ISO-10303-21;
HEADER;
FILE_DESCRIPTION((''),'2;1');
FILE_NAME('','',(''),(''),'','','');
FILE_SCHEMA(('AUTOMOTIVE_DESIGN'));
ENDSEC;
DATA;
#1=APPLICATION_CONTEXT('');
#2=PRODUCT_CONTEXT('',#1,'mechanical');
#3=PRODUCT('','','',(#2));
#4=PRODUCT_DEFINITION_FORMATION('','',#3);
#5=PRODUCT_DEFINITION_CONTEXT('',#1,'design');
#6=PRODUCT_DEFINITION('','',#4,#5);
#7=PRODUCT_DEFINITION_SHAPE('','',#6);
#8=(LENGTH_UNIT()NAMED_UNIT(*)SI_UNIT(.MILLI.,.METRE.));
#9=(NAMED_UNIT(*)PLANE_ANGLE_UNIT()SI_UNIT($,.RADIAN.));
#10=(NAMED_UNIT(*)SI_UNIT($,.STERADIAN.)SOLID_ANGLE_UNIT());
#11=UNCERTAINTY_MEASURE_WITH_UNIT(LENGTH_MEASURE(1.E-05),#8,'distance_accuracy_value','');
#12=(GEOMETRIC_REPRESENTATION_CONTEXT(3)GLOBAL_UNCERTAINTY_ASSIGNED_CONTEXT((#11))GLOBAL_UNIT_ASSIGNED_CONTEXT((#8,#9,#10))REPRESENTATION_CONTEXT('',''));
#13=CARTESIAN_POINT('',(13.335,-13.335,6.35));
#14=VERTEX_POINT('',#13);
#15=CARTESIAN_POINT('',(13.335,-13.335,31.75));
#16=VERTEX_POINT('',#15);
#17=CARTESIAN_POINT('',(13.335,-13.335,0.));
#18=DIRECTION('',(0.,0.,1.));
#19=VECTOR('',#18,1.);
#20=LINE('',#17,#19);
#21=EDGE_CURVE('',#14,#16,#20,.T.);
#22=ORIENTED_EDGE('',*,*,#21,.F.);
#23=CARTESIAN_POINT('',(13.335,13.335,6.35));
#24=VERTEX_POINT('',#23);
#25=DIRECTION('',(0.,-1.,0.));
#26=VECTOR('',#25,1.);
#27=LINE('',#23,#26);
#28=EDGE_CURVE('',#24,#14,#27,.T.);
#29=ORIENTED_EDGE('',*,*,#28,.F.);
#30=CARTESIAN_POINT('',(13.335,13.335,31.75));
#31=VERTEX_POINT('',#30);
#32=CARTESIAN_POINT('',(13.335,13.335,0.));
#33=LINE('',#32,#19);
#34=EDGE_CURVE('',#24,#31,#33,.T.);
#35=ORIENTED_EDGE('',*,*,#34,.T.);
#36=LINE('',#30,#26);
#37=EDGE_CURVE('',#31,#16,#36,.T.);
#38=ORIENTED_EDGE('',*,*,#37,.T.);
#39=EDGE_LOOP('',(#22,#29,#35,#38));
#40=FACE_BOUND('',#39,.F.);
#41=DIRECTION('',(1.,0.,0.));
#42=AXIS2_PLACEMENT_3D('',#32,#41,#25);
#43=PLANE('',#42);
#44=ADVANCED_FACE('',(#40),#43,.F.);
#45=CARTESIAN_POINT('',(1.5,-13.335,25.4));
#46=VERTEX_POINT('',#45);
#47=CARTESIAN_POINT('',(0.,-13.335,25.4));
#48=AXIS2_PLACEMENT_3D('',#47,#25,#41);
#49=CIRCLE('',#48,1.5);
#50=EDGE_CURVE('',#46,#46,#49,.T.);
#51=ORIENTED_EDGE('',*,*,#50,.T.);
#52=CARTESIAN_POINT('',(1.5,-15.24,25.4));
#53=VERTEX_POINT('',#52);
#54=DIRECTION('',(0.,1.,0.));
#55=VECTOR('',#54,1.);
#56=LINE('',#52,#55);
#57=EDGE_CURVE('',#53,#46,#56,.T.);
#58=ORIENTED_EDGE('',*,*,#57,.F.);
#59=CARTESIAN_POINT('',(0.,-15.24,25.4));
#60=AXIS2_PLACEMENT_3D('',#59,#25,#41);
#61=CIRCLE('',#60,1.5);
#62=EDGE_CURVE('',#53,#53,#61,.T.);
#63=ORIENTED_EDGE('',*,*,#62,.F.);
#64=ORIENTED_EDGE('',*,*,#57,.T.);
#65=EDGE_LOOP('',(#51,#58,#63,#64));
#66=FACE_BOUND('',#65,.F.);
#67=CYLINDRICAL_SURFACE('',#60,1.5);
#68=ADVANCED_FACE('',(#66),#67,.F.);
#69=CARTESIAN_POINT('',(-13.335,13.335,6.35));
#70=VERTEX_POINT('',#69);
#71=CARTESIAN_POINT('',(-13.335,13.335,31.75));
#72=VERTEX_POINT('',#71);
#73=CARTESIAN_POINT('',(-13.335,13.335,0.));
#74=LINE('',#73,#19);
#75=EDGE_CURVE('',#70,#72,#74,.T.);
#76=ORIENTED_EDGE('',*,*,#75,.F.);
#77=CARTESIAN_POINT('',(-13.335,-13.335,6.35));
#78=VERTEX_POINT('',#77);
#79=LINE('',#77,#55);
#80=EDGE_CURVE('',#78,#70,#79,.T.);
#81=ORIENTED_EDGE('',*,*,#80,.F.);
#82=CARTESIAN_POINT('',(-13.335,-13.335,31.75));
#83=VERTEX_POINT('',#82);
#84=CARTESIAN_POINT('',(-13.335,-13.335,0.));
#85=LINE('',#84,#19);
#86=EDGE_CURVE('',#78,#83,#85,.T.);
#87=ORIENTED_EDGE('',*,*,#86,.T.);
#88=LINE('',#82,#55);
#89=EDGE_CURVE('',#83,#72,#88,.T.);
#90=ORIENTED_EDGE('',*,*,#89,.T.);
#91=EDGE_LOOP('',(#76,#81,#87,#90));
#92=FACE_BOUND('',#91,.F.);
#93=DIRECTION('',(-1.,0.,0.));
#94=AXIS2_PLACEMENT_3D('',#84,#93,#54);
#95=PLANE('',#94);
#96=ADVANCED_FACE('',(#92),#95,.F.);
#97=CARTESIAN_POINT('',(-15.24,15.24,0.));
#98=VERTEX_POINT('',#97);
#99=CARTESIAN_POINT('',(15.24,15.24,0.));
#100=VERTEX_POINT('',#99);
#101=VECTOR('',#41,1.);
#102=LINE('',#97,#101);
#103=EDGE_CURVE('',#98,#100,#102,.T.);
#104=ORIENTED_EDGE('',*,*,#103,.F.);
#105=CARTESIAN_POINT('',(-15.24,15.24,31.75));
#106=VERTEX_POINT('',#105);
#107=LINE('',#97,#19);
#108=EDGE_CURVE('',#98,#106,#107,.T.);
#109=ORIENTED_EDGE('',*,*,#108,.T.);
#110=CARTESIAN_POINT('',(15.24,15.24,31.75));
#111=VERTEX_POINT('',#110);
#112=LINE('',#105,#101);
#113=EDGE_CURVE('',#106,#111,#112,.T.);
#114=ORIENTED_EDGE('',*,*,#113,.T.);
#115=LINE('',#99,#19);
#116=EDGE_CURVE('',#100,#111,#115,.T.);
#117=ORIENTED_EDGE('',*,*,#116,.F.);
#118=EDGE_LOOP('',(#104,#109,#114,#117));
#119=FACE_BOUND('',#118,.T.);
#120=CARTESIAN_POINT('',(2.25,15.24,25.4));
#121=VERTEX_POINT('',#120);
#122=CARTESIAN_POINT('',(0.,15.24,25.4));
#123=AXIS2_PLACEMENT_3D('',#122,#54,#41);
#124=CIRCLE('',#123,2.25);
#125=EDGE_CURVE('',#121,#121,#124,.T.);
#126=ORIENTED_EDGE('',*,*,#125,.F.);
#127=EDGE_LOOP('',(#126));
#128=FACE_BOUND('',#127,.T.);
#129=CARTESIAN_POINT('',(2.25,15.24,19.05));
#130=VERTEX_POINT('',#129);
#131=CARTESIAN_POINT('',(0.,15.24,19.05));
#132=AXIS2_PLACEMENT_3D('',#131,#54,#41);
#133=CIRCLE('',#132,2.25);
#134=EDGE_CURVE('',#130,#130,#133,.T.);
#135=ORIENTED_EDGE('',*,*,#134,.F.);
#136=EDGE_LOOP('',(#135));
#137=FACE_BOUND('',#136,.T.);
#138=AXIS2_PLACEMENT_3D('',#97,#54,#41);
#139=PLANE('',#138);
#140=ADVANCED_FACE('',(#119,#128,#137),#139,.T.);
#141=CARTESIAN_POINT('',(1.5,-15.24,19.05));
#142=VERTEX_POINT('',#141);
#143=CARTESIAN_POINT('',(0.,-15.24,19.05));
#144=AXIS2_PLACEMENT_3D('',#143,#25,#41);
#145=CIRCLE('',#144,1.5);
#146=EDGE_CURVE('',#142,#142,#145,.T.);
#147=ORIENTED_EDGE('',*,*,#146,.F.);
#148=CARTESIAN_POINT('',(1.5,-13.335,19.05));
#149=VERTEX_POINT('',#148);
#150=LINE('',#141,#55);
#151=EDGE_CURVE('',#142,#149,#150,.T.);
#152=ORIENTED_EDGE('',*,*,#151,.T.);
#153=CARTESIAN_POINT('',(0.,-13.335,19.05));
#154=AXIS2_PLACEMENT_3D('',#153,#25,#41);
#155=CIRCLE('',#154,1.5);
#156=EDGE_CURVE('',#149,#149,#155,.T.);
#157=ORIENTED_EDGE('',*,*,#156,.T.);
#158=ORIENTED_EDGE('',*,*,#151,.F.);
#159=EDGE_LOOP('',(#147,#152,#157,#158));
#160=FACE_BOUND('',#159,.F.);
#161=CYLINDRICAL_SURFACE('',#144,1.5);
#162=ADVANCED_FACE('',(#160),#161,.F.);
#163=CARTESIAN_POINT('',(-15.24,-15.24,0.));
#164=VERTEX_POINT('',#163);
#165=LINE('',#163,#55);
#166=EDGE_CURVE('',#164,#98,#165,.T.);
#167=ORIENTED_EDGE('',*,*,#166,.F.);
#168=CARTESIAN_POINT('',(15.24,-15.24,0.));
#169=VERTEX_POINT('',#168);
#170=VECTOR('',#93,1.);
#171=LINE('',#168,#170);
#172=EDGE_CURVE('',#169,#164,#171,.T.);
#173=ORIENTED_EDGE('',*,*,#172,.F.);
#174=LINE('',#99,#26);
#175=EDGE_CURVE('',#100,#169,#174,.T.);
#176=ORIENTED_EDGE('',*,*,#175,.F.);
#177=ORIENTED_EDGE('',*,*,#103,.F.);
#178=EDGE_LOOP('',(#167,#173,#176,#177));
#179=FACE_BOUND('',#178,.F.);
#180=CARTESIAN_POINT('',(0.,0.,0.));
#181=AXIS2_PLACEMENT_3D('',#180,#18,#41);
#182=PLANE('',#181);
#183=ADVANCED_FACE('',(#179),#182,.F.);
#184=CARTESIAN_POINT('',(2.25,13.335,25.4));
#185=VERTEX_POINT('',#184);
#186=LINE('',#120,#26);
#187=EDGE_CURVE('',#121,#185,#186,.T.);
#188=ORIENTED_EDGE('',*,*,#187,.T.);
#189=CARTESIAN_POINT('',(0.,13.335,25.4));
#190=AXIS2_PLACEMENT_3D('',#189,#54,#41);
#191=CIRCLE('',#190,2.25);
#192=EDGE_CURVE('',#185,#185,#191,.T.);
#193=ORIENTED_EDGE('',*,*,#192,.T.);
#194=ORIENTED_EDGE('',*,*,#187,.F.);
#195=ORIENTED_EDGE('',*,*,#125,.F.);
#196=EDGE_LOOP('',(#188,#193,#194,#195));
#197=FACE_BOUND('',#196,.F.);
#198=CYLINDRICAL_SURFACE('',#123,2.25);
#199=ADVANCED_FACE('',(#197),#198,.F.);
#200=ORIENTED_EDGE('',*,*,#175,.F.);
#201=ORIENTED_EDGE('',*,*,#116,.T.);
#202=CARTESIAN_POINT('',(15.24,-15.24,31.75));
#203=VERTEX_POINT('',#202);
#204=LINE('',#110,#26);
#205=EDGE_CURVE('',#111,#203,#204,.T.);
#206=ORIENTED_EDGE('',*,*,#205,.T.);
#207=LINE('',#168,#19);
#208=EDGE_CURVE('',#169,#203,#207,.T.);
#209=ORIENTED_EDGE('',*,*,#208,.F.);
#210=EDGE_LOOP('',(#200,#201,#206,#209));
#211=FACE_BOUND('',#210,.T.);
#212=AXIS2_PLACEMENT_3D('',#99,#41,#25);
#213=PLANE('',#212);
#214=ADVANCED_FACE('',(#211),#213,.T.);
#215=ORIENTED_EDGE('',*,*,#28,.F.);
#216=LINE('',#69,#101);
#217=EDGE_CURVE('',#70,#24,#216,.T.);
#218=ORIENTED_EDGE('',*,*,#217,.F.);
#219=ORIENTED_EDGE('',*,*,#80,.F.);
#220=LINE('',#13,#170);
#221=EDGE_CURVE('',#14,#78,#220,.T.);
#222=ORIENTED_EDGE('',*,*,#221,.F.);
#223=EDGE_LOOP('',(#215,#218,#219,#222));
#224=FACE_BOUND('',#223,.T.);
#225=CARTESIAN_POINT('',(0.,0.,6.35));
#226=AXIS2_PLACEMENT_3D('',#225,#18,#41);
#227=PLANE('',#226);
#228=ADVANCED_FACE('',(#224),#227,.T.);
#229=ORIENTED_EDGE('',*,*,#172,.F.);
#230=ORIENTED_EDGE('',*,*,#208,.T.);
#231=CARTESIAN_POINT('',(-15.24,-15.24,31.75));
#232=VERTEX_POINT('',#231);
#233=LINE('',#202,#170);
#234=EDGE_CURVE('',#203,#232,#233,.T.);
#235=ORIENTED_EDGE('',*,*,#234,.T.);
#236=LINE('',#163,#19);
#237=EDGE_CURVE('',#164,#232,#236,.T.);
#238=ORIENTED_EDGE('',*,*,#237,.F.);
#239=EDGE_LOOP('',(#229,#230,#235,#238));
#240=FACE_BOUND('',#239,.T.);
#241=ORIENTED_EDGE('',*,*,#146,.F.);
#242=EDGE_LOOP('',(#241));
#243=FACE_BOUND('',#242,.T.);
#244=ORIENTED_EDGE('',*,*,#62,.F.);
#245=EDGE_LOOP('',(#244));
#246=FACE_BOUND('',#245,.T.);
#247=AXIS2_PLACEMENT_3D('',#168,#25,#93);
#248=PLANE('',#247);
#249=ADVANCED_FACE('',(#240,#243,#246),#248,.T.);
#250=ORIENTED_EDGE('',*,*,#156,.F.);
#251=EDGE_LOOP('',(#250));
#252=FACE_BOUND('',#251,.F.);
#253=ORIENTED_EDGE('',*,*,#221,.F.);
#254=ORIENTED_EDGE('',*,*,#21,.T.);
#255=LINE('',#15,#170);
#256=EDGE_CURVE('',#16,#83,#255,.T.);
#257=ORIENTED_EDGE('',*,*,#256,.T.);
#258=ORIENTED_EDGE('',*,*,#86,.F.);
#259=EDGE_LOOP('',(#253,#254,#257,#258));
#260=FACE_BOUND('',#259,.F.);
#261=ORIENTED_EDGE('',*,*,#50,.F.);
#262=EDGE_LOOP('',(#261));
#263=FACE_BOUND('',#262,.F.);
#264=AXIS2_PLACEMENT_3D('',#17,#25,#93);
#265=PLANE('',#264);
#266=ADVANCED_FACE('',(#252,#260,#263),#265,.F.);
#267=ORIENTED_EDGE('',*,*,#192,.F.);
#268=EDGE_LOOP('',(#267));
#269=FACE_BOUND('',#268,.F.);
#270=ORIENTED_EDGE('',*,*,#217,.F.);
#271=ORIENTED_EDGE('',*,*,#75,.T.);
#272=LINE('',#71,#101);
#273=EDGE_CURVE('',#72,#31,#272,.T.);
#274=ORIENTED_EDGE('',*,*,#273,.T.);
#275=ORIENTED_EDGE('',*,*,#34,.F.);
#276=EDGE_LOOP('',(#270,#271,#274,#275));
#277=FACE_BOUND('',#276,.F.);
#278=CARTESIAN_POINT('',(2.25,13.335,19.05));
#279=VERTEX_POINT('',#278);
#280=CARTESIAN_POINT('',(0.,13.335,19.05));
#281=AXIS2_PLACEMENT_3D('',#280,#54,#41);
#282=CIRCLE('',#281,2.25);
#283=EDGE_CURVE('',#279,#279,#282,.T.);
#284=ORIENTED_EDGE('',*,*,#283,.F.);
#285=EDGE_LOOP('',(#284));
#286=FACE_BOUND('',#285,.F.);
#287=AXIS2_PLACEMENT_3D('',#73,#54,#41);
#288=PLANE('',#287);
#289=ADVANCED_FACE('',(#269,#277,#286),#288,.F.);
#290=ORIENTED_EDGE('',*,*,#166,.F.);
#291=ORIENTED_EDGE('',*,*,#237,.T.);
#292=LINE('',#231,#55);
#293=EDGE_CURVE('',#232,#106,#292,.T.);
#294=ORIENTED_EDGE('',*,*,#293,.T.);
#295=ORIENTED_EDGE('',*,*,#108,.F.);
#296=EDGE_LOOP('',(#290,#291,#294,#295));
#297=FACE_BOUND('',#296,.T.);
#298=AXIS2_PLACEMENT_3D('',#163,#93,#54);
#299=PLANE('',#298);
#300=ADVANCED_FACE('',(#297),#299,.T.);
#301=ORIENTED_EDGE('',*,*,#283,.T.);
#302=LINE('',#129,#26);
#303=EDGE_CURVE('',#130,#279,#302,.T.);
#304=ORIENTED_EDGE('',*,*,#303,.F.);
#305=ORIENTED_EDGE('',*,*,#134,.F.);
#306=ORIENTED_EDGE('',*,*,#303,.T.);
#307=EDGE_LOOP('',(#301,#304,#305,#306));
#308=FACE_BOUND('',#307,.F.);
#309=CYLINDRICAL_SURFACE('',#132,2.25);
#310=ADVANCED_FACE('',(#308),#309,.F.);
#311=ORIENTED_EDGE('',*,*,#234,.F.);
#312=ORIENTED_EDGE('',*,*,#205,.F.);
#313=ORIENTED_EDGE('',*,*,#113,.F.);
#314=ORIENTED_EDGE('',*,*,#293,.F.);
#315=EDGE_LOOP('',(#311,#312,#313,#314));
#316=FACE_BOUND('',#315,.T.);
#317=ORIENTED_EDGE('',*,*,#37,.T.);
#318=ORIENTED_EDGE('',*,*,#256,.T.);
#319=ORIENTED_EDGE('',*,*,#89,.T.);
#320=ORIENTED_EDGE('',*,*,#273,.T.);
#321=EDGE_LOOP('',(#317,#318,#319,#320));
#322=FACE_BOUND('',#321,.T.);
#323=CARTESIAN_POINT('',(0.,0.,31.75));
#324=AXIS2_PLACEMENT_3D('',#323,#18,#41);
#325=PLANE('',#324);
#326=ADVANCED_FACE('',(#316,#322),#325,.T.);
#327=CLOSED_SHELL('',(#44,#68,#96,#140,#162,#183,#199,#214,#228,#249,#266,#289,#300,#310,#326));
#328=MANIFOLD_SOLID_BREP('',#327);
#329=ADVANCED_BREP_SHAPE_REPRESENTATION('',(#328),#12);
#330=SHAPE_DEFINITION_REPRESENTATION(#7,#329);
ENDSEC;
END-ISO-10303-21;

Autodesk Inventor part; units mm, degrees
ref_plane "YZ Plane" through (0, 0, 0) normal (1, 0, 0) x (0, 1, 0)
ref_plane "XZ Plane" through (0, 0, 0) normal (0, 1, 0) x (-1, 0, 0)
ref_plane "XY Plane" through (0, 0, 0) normal (0, 0, 1) x (1, 0, 0)
sketch "Sketch1" plane through (0, 0, 0) normal (0, 0, 1) x (1, 0, 0)
  line L0 (13.335, -13.335) -> (-13.335, -13.335)
  line L1 (-13.335, -13.335) -> (-13.335, 13.335)
  line L2 (-13.335, 13.335) -> (13.335, 13.335)
  line L3 (13.335, 13.335) -> (13.335, -13.335)
  line L4 (13.335, -13.335) -> (-13.335, 13.335) construction
  line L5 (-13.335, -13.335) -> (13.335, 13.335) construction
  line L6 (15.24, -15.24) -> (-15.24, -15.24)
  line L7 (-15.24, -15.24) -> (-15.24, 15.24)
  line L8 (-15.24, 15.24) -> (15.24, 15.24)
  line L9 (15.24, 15.24) -> (15.24, -15.24)
  line L10 (15.24, -15.24) -> (-15.24, 15.24) construction
  line L11 (-15.24, -15.24) -> (15.24, 15.24) construction
  point P0 (0, 0)
  dimension "d0" = 26.67
  dimension "d1" = 26.67
  dimension "d2" = 30.48
  dimension "d3" = 30.48
extrude "Extrusion1" add sketch "Sketch1" along normal blind 31.75
extrude "Extrusion2" add sketch "Sketch1" along normal blind 6.35 contours L0 L1 L2 L3
sketch "Sketch2" plane through (-15.24, 15.24, 0) normal (0, 1, 0) x (1, 0, 0)
  line L0 (1.905, -6.35) -> (28.575, -6.35) projected
  line L1 (30.48, 0) -> (0, 0) projected
  line L2 (0, 0) -> (0, -31.75) projected
  line L3 (30.48, -31.75) -> (0, -31.75) projected
  line L4 (30.48, 0) -> (30.48, -31.75) projected
  line L5 (15.24, 0) -> (15.24, -31.75) construction
  line L6 (28.575, -31.75) -> (1.905, -31.75) construction
  circle A0 centre (15.24, -19.05) radius 2.25
  circle A1 centre (15.24, -25.4) radius 2.25
  dimension "d8" = 4.5
  dimension "d9" = 12.7
  dimension "d10" = 4.5
  dimension "d11" = 6.35
extrude "Extrusion3" cut sketch "Sketch2" against normal up to surface (28.575 mm away) contours A0 | A1
sketch "Sketch3" plane through (-15.24, -15.24, 0) normal (0, -1, 0) x (1, 0, 0)
  circle A0 centre (15.24, 19.05) radius 2.25 projected
  line L0 (0, 0) -> (30.48, 0) projected
  line L1 (30.48, 0) -> (30.48, 31.75) projected
  line L2 (0, 31.75) -> (30.48, 31.75) projected
  line L3 (0, 0) -> (0, 31.75) projected
  circle A1 centre (15.24, 25.4) radius 2.25 projected
  circle A2 centre (15.24, 25.4) radius 1.5
  circle A3 centre (15.24, 19.05) radius 1.5
  point P0 (15.24, 0)
  dimension "d14" = 3
  dimension "d15" = 3
extrude "Extrusion4" cut sketch "Sketch3" against normal up to surface (28.575 mm away) contours A2 | A3
properties part number "CS_Climb_Inner_Tube_End_Cap"
